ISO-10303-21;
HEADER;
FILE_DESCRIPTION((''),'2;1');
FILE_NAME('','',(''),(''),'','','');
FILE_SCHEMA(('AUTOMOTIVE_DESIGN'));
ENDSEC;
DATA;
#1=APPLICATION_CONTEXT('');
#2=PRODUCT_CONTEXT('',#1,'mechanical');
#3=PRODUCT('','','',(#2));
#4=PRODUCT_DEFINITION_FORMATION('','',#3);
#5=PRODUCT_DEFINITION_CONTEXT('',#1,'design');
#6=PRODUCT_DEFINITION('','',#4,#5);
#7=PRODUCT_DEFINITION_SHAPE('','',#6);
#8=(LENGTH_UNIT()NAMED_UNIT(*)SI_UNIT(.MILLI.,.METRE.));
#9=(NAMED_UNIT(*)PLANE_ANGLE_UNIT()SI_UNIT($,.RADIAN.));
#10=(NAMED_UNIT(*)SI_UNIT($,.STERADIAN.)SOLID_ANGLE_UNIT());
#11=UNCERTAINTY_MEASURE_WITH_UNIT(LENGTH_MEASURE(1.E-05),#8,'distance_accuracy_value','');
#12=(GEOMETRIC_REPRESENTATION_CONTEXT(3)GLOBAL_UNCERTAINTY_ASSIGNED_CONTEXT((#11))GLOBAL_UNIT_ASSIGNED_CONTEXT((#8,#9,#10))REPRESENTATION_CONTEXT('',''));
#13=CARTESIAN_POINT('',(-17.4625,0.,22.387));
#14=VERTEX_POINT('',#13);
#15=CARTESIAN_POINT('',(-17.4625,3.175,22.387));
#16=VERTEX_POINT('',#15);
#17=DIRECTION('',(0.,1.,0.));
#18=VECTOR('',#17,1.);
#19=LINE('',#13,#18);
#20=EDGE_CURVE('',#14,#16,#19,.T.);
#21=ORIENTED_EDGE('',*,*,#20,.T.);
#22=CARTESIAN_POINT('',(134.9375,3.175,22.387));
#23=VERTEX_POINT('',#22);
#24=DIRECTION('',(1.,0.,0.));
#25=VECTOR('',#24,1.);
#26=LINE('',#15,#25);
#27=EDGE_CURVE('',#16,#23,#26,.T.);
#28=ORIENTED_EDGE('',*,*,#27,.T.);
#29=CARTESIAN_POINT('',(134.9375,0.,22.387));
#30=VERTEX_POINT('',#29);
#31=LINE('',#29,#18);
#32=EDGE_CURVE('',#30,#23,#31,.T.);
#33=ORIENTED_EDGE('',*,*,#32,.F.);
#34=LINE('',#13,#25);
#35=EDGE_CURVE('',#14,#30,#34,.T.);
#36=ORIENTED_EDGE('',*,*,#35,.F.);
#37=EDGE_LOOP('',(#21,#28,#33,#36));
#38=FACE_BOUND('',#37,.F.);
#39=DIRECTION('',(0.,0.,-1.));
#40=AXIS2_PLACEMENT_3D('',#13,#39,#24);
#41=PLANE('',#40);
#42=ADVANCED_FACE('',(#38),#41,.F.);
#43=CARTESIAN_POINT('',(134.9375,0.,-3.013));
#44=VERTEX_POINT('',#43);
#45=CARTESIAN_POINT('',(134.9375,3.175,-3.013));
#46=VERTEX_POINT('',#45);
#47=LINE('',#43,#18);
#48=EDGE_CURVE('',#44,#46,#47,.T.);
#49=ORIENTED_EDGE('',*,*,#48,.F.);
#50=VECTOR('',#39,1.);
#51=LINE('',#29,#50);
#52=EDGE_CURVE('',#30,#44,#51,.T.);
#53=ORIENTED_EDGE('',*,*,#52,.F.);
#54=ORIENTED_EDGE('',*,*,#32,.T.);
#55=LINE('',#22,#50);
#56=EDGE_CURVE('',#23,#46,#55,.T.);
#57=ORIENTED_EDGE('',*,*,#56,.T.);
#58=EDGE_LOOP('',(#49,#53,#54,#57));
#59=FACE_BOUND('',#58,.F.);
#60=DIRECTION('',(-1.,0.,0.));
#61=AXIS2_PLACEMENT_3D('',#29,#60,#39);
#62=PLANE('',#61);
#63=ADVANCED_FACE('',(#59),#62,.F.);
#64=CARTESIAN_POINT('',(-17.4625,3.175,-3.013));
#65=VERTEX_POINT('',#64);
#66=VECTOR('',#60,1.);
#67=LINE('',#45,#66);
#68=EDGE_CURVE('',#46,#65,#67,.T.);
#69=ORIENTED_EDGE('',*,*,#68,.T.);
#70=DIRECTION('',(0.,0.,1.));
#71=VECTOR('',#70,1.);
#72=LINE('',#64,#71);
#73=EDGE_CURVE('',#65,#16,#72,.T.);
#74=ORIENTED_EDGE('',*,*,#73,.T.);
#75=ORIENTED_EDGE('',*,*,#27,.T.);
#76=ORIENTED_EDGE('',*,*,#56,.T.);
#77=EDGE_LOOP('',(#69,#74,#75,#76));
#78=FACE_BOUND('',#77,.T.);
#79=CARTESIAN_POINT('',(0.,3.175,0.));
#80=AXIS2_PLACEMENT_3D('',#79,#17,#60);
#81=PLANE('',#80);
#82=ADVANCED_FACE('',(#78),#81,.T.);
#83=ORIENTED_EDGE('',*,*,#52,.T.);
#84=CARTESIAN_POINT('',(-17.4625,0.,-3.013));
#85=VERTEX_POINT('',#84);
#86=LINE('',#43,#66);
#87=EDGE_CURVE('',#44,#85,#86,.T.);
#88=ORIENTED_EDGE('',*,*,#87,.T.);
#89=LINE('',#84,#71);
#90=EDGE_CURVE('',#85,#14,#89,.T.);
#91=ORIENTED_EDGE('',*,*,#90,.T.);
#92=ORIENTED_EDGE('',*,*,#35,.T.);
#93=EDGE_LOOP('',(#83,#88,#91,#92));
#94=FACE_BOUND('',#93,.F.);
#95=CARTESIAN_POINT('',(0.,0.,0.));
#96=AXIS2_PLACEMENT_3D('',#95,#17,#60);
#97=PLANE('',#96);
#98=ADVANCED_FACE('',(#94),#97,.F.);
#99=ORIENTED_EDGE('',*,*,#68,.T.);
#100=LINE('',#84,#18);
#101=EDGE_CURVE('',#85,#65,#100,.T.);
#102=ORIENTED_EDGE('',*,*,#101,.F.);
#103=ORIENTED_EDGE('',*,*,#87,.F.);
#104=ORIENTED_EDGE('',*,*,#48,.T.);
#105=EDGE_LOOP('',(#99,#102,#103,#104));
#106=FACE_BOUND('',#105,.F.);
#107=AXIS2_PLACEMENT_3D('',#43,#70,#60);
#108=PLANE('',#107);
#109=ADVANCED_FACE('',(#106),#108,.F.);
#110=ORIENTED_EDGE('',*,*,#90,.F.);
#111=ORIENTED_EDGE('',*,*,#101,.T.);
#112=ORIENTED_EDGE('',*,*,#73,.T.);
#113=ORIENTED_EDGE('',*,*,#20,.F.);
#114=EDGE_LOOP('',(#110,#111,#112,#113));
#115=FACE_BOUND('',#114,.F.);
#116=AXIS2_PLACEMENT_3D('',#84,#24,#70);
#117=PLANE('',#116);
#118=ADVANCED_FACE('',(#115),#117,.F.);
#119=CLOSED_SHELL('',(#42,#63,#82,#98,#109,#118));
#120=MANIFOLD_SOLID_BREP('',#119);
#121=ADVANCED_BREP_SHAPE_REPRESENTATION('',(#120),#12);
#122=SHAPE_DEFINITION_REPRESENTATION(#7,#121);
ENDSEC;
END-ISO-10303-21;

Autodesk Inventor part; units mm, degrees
ref_plane "YZ Plane" through (0, 0, 0) normal (1, 0, 0) x (0, 1, 0)
ref_plane "XZ Plane" through (0, 0, 0) normal (0, 1, 0) x (-1, 0, 0)
ref_plane "XY Plane" through (0, 0, 0) normal (0, 0, 1) x (1, 0, 0)
sketch "Sketch1" plane through (0, 0, 0) normal (0, 1, 0) x (-1, 0, 0)
  line L0 (17.4625, 22.387) -> (-134.9375, 22.387)
  line L1 (-134.9375, 22.387) -> (-134.9375, -3.013)
  line L2 (-134.9375, -3.013) -> (17.4625, -3.013)
  line L3 (17.4625, -3.013) -> (17.4625, 22.387)
  point P0 (0, 0)
  dimension "d0" = 25.4
  dimension "d1" = 152.4
extrude "Extrusion1" add sketch "Sketch1" along normal blind 3.175
properties part number "Shim1-8"
